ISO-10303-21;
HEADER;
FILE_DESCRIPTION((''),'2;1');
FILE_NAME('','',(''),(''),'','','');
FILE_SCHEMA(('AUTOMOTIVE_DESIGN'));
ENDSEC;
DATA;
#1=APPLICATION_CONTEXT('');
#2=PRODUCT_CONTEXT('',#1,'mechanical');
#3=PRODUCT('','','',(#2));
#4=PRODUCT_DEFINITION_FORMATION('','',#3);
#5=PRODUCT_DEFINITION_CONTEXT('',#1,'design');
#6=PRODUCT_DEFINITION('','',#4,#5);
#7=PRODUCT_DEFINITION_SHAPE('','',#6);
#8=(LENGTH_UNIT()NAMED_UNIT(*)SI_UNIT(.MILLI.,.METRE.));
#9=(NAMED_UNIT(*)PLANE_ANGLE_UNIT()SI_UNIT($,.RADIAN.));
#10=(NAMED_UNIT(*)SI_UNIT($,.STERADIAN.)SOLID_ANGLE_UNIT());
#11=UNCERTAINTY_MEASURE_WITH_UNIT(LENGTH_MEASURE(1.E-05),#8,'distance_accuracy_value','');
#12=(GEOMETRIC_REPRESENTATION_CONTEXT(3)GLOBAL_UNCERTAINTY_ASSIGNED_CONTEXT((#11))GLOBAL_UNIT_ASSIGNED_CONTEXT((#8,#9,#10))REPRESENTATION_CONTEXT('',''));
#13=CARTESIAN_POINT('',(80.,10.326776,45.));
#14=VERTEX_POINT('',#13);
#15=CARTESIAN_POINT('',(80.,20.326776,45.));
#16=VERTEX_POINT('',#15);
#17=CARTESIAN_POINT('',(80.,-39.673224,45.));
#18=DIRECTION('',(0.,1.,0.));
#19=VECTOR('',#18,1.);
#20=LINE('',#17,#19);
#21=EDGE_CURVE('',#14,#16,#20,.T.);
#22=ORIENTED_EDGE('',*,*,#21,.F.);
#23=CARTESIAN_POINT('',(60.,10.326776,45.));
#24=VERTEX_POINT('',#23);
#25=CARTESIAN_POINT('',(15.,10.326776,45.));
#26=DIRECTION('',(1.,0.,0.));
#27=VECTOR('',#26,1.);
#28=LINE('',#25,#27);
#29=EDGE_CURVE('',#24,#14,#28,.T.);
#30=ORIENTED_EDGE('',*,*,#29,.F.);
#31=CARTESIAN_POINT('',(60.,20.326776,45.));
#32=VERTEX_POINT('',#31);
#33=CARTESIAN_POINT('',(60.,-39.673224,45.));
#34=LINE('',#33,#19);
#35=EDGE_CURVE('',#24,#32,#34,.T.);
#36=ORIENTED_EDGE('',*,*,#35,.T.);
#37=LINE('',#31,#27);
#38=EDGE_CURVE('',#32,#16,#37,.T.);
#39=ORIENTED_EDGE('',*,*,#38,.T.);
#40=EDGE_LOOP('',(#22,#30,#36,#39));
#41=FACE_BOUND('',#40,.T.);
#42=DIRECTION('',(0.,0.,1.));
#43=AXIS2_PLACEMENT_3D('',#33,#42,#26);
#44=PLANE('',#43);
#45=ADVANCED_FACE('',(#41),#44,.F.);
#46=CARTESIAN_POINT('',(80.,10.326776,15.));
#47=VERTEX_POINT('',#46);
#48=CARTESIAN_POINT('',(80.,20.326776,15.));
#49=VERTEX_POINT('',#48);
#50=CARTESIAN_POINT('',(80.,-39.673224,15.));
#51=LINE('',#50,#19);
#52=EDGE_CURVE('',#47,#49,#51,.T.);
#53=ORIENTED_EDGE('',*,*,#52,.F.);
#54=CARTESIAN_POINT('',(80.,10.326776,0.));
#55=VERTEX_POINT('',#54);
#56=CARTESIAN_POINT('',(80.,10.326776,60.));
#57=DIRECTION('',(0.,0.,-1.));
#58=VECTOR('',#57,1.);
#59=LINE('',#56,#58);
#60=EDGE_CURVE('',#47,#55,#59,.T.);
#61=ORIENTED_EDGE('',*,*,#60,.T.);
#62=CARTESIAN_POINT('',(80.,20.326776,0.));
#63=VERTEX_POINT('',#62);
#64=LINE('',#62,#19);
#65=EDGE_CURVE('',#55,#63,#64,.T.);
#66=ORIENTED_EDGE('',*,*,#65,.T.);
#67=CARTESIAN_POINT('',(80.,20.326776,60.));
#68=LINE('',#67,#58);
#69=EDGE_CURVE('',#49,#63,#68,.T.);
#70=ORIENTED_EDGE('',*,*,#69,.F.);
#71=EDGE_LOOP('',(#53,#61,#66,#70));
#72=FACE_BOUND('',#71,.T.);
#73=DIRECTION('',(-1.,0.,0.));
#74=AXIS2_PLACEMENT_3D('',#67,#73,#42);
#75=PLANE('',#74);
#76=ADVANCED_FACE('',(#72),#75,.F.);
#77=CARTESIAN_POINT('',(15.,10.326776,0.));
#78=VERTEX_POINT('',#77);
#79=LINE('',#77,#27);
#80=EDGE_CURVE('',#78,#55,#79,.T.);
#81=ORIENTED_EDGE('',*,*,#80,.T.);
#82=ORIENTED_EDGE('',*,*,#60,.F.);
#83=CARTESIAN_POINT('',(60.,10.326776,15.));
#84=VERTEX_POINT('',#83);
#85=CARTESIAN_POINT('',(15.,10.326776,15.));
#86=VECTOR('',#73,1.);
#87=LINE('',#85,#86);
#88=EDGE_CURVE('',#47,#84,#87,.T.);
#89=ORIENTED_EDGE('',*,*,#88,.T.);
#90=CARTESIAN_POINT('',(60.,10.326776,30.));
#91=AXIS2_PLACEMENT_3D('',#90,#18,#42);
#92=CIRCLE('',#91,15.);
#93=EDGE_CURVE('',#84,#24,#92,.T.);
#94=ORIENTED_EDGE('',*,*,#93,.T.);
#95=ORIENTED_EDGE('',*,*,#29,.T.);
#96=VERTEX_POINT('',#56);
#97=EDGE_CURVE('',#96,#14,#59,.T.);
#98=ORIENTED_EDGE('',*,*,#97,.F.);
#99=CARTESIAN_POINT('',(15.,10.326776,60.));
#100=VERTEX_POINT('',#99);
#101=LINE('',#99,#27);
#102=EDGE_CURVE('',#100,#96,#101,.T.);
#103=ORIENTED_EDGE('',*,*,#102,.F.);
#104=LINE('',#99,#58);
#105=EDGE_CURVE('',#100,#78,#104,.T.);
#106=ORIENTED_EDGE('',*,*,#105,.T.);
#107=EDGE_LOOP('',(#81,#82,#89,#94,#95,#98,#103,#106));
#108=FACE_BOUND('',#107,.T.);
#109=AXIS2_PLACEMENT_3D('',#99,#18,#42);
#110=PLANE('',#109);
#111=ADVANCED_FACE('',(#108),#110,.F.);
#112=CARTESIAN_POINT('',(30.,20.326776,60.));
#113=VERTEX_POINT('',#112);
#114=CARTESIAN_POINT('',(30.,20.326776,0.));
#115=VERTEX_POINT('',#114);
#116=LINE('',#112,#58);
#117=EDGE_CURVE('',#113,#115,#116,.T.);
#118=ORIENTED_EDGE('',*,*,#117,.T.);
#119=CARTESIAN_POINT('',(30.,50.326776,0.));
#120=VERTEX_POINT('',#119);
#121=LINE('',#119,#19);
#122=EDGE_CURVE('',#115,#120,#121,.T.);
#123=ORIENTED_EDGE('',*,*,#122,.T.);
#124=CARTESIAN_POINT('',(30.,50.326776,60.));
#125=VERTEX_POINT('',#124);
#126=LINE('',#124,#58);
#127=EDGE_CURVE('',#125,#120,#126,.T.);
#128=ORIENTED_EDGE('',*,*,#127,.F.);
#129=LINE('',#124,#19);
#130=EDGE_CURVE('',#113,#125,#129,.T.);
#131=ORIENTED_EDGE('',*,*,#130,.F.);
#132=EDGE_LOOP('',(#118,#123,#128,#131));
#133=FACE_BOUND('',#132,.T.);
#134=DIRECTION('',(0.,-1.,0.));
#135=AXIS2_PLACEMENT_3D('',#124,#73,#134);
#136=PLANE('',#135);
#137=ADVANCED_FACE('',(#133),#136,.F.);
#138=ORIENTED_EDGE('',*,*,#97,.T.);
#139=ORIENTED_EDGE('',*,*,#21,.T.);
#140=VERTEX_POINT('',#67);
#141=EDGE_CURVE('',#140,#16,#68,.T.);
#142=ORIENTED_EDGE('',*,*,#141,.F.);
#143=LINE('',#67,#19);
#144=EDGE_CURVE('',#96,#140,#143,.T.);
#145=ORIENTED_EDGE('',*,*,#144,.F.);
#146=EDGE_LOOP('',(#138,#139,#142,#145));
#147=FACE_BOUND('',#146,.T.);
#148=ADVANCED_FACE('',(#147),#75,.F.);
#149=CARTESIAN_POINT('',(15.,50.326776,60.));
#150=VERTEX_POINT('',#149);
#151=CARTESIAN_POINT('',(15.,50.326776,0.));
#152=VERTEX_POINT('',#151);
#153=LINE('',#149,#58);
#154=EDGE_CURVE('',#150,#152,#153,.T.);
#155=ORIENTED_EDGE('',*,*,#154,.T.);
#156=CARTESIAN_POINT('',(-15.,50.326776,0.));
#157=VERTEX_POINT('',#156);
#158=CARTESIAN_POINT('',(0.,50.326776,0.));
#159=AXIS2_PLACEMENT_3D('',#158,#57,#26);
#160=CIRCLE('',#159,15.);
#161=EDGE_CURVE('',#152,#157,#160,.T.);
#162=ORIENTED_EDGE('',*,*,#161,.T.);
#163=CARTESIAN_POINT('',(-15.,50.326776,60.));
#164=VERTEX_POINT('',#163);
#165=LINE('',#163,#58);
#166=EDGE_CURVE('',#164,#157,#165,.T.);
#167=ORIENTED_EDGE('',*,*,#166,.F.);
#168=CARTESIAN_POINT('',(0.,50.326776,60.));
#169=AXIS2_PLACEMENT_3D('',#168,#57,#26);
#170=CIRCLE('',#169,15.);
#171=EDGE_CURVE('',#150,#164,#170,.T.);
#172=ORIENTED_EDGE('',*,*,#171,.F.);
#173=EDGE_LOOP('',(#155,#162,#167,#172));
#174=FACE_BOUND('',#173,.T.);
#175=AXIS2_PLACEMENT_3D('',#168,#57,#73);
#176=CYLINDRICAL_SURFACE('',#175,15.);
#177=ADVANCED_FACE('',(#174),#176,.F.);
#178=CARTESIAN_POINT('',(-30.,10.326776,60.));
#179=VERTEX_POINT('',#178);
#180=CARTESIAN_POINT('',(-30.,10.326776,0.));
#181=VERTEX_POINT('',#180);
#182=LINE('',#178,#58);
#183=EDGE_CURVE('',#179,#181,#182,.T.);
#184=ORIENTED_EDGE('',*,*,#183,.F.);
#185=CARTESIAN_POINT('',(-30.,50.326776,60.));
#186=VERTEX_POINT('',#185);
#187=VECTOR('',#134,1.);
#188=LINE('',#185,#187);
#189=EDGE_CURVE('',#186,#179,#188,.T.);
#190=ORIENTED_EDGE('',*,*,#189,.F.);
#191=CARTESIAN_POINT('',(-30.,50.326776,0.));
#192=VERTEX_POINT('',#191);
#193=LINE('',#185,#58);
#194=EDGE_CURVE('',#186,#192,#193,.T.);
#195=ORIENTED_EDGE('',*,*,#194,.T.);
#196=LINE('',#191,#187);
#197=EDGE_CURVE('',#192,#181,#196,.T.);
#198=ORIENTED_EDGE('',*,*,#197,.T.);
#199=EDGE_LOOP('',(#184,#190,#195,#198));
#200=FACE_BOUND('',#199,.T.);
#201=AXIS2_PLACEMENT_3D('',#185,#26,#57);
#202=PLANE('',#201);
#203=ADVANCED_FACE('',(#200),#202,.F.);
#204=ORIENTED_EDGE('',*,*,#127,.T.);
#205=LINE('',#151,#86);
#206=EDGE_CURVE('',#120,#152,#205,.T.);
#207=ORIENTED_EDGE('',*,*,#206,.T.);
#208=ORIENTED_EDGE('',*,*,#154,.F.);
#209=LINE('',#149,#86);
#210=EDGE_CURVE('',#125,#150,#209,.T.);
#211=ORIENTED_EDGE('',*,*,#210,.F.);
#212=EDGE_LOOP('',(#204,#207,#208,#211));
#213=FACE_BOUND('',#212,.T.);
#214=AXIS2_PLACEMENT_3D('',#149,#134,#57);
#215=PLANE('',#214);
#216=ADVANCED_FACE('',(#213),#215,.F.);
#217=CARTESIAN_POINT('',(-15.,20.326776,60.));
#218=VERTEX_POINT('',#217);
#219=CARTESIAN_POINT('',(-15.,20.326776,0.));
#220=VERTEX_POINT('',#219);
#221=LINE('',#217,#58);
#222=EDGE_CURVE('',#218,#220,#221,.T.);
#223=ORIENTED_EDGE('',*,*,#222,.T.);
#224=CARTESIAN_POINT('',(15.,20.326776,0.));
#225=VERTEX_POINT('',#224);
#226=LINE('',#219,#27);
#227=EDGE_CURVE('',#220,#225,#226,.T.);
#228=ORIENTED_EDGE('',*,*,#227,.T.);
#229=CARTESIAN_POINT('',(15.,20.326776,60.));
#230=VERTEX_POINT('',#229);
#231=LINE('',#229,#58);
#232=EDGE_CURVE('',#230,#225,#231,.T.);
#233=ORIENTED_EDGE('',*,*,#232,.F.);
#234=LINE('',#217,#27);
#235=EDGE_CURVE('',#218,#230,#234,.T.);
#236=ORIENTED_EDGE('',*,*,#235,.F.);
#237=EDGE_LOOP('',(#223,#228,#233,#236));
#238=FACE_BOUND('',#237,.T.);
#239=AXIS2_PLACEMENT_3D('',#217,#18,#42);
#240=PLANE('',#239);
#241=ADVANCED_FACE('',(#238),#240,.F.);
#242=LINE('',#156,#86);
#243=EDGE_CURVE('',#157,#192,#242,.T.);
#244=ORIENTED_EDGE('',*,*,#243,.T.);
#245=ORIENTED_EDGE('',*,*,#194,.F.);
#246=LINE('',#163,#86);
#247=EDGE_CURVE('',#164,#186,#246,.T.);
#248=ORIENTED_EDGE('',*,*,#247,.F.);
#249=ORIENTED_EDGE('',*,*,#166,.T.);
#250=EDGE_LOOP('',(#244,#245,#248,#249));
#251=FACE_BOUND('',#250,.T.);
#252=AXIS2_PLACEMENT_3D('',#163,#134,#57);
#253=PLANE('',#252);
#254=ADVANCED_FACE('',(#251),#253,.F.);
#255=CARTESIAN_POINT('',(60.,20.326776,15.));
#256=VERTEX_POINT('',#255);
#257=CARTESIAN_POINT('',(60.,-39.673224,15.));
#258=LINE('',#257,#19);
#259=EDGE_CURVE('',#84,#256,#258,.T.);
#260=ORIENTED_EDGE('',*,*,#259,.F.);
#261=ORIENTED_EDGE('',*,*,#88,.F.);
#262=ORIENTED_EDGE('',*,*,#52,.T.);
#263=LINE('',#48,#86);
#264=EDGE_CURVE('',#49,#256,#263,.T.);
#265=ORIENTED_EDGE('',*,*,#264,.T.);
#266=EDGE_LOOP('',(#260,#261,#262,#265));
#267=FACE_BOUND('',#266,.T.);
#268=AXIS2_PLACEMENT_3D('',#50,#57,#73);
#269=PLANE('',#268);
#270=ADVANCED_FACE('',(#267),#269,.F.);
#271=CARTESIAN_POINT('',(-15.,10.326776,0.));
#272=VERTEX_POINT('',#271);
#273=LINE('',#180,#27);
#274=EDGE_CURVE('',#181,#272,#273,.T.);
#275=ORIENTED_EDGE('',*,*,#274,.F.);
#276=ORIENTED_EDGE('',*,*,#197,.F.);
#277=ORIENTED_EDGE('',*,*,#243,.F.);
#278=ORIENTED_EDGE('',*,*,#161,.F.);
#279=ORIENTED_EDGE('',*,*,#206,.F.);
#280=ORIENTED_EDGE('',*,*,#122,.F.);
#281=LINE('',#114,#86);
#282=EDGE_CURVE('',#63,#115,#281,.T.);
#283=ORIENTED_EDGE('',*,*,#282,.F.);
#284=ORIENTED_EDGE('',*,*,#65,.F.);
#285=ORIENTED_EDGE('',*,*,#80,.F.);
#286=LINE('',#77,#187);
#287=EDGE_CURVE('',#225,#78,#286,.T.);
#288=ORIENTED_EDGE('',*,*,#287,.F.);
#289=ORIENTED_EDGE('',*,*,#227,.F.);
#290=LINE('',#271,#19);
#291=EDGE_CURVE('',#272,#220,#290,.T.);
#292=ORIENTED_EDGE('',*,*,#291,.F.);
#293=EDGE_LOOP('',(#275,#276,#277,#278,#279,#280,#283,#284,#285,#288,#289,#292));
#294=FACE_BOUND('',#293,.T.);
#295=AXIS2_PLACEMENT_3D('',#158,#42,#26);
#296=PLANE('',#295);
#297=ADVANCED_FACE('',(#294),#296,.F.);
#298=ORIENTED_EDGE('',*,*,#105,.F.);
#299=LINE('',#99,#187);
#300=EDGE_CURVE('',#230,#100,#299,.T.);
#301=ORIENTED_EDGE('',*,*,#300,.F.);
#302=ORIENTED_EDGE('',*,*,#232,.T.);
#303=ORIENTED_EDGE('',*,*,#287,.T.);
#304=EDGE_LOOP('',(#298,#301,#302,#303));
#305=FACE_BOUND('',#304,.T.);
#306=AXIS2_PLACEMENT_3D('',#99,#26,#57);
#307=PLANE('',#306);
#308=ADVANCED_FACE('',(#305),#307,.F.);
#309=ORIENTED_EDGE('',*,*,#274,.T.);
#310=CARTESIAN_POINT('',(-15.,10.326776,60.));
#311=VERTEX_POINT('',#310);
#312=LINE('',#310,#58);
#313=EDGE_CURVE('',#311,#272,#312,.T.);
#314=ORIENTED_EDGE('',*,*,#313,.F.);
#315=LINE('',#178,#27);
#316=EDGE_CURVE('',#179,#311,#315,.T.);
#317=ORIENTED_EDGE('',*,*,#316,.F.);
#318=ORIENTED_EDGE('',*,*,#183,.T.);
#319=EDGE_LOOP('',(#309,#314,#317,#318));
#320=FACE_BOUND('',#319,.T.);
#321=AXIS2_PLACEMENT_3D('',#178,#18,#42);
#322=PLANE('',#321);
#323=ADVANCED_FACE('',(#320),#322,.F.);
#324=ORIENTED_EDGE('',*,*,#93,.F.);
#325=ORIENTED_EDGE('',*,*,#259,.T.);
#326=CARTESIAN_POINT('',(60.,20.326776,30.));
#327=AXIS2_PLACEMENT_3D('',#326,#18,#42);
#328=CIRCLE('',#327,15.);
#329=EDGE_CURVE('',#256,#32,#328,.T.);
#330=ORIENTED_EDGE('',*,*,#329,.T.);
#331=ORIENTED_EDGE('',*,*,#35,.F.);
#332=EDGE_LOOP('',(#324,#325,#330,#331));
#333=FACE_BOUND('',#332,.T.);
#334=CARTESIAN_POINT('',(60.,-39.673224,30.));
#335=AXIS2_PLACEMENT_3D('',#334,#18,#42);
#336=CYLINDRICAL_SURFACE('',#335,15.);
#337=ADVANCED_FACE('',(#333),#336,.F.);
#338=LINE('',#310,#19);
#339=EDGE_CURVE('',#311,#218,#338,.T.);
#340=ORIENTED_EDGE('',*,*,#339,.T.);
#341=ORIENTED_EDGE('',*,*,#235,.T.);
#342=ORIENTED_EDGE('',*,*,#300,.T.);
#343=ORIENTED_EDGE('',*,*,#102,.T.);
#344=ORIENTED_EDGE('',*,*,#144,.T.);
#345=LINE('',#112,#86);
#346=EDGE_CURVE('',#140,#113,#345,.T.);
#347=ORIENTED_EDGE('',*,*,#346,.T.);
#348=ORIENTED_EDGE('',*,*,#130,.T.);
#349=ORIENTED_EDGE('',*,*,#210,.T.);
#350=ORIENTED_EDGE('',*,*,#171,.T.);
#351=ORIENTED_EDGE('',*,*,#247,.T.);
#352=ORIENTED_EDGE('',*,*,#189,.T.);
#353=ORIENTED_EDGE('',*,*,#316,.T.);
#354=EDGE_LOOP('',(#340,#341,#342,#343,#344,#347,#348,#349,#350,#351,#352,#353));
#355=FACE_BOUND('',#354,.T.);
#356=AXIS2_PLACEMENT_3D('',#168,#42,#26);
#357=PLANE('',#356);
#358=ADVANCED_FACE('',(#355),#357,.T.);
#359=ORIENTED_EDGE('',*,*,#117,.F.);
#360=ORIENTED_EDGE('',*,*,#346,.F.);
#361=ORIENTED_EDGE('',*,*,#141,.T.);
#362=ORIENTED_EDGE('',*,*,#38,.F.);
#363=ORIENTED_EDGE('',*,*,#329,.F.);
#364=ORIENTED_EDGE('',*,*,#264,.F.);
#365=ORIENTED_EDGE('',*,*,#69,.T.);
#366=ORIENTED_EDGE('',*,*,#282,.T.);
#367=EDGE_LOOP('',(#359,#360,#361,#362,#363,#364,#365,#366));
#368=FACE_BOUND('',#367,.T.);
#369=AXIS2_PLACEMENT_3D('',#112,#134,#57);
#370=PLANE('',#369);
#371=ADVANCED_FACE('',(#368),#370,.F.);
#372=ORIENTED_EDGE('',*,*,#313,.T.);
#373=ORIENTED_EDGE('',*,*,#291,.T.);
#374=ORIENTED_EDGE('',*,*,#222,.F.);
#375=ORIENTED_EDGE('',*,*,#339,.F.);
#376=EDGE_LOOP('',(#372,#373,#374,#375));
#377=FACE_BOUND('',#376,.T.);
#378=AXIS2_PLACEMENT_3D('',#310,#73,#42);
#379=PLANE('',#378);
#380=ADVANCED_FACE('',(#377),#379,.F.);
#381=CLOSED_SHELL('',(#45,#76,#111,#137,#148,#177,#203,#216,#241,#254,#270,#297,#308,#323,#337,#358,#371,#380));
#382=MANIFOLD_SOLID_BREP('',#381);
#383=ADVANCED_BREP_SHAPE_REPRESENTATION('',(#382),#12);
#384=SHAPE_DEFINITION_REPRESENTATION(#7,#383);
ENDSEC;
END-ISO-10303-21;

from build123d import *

# Parameters (mm, degrees)
BOSS_EXTRUDE1_DEPTH = 60
CUT_EXTRUDE1_DEPTH  = 60


with BuildPart() as part:
    # Sketch1 → Boss-Extrude1 (new body)
    with BuildSketch(Plane.XY):
        with BuildLine():
            Line((-30, 50.32677643), (-30, 10.32677643))
            Line((-30, 10.32677643), (-15, 10.32677643))
            Line((-15, 10.32677643), (-15, 20.32677643))
            Line((-15, 20.32677643), (15, 20.32677643))
            Line((15, 20.32677643), (15, 10.32677643))
            Line((15, 10.32677643), (80, 10.32677643))
            Line((80, 10.32677643), (80, 20.32677643))
            Line((80, 20.32677643), (30, 20.32677643))
            Line((30, 20.32677643), (30, 50.32677643))
            Line((30, 50.32677643), (15, 50.32677643))
            ThreePointArc((15, 50.32677643), (0, 35.32677643), (-15, 50.32677643))
            Line((-15, 50.32677643), (-30, 50.32677643))
        make_face()
    extrude(amount=BOSS_EXTRUDE1_DEPTH)

    # Sketch2 → Cut-Extrude1 (cut)
    with BuildSketch(Plane(origin=(0, 20.32677643, 0), x_dir=(1, 0, 0), z_dir=(0, 1, 0))):
        with BuildLine():
            Line((80, -15), (80, -45))
            Line((80, -45), (60, -45))
            ThreePointArc((60, -45), (45, -30), (60, -15))
            Line((60, -15), (80, -15))
        make_face()
    extrude(amount=-CUT_EXTRUDE1_DEPTH, mode=Mode.SUBTRACT)


solid = part.part
